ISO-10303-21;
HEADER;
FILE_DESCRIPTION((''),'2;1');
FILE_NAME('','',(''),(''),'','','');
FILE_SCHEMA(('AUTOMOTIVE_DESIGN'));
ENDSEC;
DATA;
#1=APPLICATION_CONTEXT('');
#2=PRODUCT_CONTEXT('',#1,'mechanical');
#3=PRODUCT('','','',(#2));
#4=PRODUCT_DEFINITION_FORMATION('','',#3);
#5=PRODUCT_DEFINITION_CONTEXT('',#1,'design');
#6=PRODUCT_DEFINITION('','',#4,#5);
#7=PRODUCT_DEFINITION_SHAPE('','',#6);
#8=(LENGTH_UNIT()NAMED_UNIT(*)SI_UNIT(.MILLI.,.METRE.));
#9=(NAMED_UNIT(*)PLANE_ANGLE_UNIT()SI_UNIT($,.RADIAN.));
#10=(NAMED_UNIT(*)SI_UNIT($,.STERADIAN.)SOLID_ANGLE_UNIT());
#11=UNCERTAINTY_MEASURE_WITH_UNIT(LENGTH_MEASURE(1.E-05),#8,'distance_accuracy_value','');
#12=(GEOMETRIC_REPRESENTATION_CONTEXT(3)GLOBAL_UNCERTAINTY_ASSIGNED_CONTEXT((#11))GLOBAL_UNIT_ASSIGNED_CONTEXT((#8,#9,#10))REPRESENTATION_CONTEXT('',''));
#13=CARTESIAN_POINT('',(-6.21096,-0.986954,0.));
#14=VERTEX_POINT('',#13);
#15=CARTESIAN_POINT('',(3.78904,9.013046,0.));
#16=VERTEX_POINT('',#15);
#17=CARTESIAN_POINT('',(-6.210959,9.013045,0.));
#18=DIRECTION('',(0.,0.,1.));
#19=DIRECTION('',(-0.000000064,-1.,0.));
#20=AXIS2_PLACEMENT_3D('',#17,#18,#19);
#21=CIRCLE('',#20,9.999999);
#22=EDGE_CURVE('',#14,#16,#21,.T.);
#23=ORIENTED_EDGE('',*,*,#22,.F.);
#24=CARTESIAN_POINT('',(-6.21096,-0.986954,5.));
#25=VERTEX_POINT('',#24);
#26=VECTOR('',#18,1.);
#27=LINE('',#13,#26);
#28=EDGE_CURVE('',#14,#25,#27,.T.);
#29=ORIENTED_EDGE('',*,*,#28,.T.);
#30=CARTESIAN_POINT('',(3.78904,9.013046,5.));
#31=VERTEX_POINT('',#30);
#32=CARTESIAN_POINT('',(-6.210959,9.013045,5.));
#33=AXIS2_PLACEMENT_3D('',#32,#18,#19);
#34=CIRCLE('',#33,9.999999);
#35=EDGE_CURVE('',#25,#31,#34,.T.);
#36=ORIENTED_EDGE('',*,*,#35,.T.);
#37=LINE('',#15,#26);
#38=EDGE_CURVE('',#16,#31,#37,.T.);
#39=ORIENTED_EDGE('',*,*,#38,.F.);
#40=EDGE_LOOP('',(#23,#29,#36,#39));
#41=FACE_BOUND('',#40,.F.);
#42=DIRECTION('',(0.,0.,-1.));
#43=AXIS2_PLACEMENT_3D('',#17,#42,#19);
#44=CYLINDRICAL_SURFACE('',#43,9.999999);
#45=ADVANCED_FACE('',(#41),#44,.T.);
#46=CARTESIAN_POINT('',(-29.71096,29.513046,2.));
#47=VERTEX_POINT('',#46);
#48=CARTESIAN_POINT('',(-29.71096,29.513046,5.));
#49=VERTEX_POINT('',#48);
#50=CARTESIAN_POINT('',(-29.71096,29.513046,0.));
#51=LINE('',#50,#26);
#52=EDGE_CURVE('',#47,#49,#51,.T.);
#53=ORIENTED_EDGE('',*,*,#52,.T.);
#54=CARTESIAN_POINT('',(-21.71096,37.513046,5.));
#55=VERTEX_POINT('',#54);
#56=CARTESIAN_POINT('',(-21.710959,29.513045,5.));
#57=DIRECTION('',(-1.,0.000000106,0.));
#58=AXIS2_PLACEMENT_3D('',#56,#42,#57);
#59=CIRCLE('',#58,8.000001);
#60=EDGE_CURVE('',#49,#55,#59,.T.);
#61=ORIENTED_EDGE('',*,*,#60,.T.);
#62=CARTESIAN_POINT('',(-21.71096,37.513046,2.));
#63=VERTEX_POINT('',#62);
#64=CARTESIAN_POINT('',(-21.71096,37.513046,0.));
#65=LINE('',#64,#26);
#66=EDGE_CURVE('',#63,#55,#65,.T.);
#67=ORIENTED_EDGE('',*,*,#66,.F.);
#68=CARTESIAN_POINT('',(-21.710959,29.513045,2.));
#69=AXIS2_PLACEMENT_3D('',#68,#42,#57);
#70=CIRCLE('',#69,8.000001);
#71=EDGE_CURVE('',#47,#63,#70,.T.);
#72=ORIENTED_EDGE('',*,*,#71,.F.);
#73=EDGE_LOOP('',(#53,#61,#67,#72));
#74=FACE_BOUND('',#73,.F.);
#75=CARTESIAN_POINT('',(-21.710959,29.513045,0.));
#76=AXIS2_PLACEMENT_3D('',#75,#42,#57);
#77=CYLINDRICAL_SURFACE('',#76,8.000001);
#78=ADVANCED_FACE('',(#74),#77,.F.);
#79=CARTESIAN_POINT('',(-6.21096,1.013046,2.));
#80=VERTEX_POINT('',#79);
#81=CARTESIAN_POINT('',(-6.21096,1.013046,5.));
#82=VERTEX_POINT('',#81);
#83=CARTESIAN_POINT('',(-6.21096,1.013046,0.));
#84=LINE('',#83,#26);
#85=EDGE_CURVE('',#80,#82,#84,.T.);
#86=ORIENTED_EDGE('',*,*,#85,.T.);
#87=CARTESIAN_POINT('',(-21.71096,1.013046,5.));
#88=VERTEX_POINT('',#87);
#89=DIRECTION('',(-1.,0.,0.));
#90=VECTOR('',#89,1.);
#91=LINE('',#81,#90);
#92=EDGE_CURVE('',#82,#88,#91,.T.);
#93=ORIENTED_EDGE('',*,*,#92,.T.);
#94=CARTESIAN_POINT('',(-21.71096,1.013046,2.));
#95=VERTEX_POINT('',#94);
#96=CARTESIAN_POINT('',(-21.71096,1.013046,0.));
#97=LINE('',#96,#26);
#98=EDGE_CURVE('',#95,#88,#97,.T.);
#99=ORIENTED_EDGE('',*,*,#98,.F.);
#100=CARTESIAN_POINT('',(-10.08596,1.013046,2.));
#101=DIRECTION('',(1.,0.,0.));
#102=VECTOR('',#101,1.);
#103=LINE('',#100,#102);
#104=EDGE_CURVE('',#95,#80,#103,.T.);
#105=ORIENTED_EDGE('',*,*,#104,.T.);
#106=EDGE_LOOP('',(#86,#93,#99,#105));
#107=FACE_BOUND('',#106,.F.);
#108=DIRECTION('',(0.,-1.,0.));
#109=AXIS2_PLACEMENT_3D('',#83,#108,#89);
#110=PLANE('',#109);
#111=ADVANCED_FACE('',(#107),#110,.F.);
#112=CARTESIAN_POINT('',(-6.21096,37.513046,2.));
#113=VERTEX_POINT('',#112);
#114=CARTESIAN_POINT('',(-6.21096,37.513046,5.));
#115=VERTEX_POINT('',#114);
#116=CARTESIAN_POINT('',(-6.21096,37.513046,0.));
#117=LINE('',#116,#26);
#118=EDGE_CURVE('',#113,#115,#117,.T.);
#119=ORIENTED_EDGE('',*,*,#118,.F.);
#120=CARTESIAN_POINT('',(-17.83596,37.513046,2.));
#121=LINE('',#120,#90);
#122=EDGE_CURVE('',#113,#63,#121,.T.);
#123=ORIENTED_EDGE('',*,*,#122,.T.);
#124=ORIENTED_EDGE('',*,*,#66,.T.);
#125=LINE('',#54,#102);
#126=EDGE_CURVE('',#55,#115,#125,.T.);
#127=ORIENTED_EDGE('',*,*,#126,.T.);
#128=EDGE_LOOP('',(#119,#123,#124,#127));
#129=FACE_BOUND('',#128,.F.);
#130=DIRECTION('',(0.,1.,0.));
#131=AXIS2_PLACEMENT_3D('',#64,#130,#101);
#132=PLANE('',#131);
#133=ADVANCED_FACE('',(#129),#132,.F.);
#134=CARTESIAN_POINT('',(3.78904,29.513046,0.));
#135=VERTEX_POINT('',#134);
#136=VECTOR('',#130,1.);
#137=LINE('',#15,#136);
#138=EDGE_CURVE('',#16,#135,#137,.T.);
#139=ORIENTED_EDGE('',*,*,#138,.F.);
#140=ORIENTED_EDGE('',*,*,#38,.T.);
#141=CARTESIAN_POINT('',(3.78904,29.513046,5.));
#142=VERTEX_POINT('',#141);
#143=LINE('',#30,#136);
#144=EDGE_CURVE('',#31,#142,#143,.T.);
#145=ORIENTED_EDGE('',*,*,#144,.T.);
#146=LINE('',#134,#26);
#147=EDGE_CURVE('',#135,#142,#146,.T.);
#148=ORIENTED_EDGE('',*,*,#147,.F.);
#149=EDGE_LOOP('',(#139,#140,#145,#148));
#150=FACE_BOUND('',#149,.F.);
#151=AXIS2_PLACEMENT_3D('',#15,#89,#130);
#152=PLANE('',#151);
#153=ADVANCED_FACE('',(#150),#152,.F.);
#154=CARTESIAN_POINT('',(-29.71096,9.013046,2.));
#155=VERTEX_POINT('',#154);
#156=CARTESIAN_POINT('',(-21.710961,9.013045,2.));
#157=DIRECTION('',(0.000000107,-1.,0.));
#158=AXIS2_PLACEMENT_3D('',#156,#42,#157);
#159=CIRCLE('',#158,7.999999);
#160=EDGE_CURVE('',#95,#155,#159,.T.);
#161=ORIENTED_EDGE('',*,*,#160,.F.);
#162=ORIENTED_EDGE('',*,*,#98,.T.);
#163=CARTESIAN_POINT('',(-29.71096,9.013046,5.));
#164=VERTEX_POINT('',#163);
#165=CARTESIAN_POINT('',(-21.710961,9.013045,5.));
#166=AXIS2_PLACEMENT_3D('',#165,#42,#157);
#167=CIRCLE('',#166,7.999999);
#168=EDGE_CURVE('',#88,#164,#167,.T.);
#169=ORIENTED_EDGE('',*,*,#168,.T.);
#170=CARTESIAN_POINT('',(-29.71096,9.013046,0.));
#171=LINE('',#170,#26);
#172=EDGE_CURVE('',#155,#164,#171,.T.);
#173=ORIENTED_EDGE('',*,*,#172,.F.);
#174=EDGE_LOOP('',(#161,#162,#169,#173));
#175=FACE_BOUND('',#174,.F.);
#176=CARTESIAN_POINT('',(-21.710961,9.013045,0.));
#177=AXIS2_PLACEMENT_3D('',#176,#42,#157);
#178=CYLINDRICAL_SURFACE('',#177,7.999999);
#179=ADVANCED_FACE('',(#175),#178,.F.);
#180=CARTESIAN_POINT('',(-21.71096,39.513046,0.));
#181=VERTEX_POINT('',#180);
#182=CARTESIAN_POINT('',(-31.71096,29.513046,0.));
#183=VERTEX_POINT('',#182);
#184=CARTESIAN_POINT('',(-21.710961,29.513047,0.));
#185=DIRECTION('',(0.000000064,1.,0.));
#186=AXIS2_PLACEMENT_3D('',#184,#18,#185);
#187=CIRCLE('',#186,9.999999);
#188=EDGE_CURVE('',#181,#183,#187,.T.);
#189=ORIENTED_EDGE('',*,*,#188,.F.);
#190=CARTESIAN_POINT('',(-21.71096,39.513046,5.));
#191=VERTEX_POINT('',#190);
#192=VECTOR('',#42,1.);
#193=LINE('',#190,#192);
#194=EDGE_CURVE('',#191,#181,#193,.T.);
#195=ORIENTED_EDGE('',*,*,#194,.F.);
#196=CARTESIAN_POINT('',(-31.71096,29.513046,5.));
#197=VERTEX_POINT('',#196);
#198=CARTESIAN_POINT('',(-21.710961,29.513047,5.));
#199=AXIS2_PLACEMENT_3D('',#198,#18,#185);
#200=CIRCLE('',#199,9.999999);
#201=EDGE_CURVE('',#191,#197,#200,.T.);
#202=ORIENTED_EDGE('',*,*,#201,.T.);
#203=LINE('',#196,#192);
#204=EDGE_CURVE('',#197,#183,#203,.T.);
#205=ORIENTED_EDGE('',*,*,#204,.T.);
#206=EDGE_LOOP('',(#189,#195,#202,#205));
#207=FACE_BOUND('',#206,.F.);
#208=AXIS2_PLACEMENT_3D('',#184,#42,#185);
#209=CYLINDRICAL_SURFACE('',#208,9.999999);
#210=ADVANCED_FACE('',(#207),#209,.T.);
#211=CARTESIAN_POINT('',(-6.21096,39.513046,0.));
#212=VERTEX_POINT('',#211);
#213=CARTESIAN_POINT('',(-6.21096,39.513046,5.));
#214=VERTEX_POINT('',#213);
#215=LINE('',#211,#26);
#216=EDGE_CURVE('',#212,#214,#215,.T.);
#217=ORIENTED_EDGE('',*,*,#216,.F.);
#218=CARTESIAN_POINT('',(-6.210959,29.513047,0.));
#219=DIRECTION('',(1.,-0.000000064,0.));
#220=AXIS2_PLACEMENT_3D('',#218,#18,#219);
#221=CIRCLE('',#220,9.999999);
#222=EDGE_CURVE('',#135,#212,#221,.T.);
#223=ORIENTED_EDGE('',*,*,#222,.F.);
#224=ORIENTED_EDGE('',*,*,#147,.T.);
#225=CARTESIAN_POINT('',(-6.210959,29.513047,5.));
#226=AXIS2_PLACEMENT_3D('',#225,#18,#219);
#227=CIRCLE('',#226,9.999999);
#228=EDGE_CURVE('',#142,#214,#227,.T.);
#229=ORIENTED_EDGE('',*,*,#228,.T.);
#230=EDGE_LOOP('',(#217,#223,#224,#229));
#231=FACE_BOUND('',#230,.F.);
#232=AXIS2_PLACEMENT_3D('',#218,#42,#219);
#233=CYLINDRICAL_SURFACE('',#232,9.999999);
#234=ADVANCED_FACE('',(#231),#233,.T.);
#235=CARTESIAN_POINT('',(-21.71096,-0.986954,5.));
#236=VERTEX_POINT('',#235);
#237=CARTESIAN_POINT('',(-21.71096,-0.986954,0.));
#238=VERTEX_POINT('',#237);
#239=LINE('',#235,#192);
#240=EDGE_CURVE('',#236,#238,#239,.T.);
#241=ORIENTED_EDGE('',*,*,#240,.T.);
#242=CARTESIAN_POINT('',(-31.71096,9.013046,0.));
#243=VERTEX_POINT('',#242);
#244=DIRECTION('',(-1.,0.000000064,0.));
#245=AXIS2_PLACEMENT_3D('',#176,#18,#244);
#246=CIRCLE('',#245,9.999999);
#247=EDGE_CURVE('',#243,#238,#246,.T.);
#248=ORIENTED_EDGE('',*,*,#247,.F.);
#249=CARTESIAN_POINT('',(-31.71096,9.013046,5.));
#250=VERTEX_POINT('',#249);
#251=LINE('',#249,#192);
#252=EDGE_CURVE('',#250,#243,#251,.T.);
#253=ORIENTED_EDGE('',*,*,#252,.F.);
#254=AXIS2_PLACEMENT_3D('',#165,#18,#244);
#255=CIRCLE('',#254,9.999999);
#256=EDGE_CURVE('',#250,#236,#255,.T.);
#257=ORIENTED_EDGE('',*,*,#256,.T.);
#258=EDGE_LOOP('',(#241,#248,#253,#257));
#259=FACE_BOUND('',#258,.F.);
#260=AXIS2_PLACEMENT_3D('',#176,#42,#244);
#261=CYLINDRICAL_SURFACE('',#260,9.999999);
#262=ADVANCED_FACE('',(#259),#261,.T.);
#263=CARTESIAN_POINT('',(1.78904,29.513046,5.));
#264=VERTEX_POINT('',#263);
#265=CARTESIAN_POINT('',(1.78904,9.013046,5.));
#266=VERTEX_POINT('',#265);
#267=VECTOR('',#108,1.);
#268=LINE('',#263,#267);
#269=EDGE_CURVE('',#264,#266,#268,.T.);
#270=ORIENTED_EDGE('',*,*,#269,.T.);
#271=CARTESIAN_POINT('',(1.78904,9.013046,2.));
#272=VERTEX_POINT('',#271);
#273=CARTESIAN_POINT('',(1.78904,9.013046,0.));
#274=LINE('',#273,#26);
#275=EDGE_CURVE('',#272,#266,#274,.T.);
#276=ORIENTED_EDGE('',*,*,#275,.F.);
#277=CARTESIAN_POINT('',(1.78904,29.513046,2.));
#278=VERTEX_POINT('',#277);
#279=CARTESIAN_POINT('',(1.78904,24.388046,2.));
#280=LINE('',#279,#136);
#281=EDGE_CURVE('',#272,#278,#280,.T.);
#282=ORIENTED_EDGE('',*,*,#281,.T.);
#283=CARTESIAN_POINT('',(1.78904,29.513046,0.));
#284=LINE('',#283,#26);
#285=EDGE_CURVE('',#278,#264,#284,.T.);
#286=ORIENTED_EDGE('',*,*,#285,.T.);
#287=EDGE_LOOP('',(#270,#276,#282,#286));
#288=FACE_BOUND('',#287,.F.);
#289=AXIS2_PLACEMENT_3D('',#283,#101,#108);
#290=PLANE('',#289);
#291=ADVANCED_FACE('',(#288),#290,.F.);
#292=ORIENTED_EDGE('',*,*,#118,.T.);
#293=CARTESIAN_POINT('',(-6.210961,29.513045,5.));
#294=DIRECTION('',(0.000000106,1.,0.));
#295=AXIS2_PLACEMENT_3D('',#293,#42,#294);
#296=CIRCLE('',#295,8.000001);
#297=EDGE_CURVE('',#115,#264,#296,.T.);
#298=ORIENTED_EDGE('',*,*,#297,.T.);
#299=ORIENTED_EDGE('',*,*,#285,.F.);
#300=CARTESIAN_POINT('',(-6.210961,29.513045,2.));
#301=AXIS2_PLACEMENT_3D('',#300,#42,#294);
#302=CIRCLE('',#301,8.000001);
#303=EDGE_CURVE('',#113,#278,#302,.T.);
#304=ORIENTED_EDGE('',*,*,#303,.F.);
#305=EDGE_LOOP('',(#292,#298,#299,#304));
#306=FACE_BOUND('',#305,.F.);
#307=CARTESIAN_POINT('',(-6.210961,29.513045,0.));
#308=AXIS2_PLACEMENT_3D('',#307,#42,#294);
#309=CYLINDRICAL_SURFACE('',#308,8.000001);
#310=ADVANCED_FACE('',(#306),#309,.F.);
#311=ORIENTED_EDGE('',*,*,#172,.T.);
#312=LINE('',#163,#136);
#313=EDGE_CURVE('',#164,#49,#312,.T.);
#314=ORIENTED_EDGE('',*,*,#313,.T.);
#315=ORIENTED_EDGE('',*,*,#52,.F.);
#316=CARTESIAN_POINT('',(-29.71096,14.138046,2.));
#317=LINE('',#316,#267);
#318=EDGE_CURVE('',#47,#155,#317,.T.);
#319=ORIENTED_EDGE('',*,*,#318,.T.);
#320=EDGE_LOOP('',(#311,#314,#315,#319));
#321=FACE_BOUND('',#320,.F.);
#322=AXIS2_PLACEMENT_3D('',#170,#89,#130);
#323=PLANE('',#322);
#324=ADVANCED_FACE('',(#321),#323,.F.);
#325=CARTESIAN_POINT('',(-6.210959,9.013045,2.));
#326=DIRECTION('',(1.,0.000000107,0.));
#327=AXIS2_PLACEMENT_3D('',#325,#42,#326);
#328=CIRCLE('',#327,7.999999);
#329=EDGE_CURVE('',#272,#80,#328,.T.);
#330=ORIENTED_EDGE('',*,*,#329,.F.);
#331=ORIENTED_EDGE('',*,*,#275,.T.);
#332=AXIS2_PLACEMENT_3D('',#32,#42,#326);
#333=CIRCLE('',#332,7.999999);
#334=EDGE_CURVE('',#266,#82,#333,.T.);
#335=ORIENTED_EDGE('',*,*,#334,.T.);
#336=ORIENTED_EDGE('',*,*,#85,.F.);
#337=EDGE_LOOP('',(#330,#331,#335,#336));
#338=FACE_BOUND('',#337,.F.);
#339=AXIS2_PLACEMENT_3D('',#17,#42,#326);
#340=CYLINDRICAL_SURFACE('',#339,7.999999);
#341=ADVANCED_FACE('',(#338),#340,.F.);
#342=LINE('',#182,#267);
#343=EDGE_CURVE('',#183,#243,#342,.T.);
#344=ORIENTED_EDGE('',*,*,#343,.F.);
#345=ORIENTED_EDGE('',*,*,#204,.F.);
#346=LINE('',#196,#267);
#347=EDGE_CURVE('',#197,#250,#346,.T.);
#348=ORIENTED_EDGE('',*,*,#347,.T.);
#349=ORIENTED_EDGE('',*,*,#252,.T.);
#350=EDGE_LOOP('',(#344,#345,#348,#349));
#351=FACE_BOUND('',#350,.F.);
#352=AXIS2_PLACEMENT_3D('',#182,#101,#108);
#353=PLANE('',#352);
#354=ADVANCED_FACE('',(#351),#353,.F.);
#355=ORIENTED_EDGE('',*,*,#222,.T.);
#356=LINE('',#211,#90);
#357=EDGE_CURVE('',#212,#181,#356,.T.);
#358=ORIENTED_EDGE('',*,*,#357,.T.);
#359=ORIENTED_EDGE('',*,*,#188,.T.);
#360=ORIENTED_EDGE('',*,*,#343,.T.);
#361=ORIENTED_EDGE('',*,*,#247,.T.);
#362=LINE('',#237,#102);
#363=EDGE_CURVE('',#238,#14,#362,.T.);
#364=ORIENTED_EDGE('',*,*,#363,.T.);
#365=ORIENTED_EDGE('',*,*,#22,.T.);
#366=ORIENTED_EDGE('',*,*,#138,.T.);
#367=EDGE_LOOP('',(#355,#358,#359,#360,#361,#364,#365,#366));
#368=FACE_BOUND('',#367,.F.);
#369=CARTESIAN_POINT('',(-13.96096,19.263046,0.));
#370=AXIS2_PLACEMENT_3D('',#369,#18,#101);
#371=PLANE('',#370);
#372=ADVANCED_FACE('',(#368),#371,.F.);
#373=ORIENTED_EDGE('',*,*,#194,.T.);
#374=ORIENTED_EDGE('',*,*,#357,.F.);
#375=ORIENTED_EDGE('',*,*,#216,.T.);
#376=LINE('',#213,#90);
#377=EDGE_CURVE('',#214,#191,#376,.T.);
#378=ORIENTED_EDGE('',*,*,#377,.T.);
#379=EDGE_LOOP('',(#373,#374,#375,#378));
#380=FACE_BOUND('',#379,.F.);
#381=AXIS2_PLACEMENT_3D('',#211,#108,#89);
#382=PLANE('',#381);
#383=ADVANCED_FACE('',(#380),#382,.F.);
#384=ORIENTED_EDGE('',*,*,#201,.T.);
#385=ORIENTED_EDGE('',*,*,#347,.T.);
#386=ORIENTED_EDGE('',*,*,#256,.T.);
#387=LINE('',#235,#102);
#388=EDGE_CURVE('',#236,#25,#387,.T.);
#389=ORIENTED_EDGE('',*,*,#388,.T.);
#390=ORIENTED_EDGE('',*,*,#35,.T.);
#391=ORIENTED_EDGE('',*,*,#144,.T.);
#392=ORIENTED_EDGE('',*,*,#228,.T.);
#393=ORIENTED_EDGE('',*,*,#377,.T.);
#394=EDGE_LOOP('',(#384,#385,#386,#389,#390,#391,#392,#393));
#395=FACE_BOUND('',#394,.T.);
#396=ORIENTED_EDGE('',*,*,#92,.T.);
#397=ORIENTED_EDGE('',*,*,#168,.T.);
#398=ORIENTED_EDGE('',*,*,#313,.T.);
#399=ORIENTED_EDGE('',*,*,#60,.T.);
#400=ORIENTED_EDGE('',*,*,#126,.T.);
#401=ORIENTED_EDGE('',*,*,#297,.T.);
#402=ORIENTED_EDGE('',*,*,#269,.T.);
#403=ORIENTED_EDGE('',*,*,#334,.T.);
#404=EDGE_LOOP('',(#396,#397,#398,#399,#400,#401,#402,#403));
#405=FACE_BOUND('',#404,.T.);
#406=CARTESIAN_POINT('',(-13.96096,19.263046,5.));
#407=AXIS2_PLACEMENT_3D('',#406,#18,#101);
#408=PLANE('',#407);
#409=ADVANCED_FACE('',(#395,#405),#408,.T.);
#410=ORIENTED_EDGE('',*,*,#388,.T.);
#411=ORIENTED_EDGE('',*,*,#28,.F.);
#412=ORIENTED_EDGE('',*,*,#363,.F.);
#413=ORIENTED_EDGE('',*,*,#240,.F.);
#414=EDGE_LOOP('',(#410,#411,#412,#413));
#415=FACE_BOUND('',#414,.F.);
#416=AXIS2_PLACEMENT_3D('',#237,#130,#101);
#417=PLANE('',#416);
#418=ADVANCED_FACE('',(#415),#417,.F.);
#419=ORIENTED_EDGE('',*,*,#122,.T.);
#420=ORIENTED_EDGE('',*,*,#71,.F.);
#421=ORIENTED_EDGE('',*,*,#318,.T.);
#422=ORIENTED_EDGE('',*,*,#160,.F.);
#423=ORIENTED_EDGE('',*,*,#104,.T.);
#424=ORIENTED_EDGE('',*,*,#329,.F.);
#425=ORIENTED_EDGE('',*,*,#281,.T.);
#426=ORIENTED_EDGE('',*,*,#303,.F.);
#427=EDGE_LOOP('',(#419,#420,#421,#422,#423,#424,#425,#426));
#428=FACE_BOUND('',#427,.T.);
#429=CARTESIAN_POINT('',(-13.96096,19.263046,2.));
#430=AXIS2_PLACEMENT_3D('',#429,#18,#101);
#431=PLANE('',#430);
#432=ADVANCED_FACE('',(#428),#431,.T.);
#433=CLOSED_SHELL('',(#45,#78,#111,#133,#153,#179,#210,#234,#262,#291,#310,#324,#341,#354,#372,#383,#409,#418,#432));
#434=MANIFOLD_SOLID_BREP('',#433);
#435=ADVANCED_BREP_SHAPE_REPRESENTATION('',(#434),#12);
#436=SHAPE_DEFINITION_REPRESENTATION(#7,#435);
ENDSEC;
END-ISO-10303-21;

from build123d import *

# Parameters (mm, degrees)
F1_DEPTH = 2
F2_DEPTH = 5


with BuildPart() as f1:
    # F0 (on Top) → F1 (new body)
    with BuildSketch(Plane.XY):
        with BuildLine():
            Line((-21.71096, -0.986954), (-6.21096, -0.986954))
            ThreePointArc((-6.21096, -0.986954), (0.860108, 1.941978), (3.78904, 9.013046))
            Line((3.78904, 9.013046), (3.78904, 29.513046))
            ThreePointArc((3.78904, 29.513046), (0.860108, 36.584114), (-6.21096, 39.513046))
            Line((-6.21096, 39.513046), (-21.71096, 39.513046))
            ThreePointArc((-21.71096, 39.513046), (-28.782028, 36.584114), (-31.71096, 29.513046))
            Line((-31.71096, 29.513046), (-31.71096, 9.013046))
            ThreePointArc((-31.71096, 9.013046), (-28.782028, 1.941978), (-21.71096, -0.986954))
        make_face()
        with BuildLine():
            ThreePointArc((1.78904, 9.013046), (-0.554106, 3.356191), (-6.21096, 1.013046))
            Line((-6.21096, 1.013046), (-21.71096, 1.013046))
            ThreePointArc((-21.71096, 1.013046), (-27.367814, 3.356191), (-29.71096, 9.013046))
            Line((-29.71096, 9.013046), (-29.71096, 29.513046))
            ThreePointArc((-29.71096, 29.513046), (-27.367814, 35.1699), (-21.71096, 37.513046))
            Line((-21.71096, 37.513046), (-6.21096, 37.513046))
            ThreePointArc((-6.21096, 37.513046), (-0.554106, 35.1699), (1.78904, 29.513046))
            Line((1.78904, 29.513046), (1.78904, 9.013046))
        make_face(mode=Mode.SUBTRACT)
        with BuildLine():
            Line((-21.71096, 1.013046), (-6.21096, 1.013046))
            ThreePointArc((-6.21096, 1.013046), (-0.554106, 3.356191), (1.78904, 9.013046))
            Line((1.78904, 9.013046), (1.78904, 29.513046))
            ThreePointArc((1.78904, 29.513046), (-0.554106, 35.1699), (-6.21096, 37.513046))
            Line((-6.21096, 37.513046), (-21.71096, 37.513046))
            ThreePointArc((-21.71096, 37.513046), (-27.367814, 35.1699), (-29.71096, 29.513046))
            Line((-29.71096, 29.513046), (-29.71096, 9.013046))
            ThreePointArc((-29.71096, 9.013046), (-27.367814, 3.356191), (-21.71096, 1.013046))
        make_face()
    extrude(amount=F1_DEPTH)

    # F0 (on Top) → F2 (join)
    with BuildSketch(Plane.XY):
        with BuildLine():
            Line((-21.71096, -0.986954), (-6.21096, -0.986954))
            ThreePointArc((-6.21096, -0.986954), (0.860108, 1.941978), (3.78904, 9.013046))
            Line((3.78904, 9.013046), (3.78904, 29.513046))
            ThreePointArc((3.78904, 29.513046), (0.860108, 36.584114), (-6.21096, 39.513046))
            Line((-6.21096, 39.513046), (-21.71096, 39.513046))
            ThreePointArc((-21.71096, 39.513046), (-28.782028, 36.584114), (-31.71096, 29.513046))
            Line((-31.71096, 29.513046), (-31.71096, 9.013046))
            ThreePointArc((-31.71096, 9.013046), (-28.782028, 1.941978), (-21.71096, -0.986954))
        make_face()
        with BuildLine():
            ThreePointArc((1.78904, 9.013046), (-0.554106, 3.356191), (-6.21096, 1.013046))
            Line((-6.21096, 1.013046), (-21.71096, 1.013046))
            ThreePointArc((-21.71096, 1.013046), (-27.367814, 3.356191), (-29.71096, 9.013046))
            Line((-29.71096, 9.013046), (-29.71096, 29.513046))
            ThreePointArc((-29.71096, 29.513046), (-27.367814, 35.1699), (-21.71096, 37.513046))
            Line((-21.71096, 37.513046), (-6.21096, 37.513046))
            ThreePointArc((-6.21096, 37.513046), (-0.554106, 35.1699), (1.78904, 29.513046))
            Line((1.78904, 29.513046), (1.78904, 9.013046))
        make_face(mode=Mode.SUBTRACT)
    extrude(amount=F2_DEPTH)


solid = f1.part
